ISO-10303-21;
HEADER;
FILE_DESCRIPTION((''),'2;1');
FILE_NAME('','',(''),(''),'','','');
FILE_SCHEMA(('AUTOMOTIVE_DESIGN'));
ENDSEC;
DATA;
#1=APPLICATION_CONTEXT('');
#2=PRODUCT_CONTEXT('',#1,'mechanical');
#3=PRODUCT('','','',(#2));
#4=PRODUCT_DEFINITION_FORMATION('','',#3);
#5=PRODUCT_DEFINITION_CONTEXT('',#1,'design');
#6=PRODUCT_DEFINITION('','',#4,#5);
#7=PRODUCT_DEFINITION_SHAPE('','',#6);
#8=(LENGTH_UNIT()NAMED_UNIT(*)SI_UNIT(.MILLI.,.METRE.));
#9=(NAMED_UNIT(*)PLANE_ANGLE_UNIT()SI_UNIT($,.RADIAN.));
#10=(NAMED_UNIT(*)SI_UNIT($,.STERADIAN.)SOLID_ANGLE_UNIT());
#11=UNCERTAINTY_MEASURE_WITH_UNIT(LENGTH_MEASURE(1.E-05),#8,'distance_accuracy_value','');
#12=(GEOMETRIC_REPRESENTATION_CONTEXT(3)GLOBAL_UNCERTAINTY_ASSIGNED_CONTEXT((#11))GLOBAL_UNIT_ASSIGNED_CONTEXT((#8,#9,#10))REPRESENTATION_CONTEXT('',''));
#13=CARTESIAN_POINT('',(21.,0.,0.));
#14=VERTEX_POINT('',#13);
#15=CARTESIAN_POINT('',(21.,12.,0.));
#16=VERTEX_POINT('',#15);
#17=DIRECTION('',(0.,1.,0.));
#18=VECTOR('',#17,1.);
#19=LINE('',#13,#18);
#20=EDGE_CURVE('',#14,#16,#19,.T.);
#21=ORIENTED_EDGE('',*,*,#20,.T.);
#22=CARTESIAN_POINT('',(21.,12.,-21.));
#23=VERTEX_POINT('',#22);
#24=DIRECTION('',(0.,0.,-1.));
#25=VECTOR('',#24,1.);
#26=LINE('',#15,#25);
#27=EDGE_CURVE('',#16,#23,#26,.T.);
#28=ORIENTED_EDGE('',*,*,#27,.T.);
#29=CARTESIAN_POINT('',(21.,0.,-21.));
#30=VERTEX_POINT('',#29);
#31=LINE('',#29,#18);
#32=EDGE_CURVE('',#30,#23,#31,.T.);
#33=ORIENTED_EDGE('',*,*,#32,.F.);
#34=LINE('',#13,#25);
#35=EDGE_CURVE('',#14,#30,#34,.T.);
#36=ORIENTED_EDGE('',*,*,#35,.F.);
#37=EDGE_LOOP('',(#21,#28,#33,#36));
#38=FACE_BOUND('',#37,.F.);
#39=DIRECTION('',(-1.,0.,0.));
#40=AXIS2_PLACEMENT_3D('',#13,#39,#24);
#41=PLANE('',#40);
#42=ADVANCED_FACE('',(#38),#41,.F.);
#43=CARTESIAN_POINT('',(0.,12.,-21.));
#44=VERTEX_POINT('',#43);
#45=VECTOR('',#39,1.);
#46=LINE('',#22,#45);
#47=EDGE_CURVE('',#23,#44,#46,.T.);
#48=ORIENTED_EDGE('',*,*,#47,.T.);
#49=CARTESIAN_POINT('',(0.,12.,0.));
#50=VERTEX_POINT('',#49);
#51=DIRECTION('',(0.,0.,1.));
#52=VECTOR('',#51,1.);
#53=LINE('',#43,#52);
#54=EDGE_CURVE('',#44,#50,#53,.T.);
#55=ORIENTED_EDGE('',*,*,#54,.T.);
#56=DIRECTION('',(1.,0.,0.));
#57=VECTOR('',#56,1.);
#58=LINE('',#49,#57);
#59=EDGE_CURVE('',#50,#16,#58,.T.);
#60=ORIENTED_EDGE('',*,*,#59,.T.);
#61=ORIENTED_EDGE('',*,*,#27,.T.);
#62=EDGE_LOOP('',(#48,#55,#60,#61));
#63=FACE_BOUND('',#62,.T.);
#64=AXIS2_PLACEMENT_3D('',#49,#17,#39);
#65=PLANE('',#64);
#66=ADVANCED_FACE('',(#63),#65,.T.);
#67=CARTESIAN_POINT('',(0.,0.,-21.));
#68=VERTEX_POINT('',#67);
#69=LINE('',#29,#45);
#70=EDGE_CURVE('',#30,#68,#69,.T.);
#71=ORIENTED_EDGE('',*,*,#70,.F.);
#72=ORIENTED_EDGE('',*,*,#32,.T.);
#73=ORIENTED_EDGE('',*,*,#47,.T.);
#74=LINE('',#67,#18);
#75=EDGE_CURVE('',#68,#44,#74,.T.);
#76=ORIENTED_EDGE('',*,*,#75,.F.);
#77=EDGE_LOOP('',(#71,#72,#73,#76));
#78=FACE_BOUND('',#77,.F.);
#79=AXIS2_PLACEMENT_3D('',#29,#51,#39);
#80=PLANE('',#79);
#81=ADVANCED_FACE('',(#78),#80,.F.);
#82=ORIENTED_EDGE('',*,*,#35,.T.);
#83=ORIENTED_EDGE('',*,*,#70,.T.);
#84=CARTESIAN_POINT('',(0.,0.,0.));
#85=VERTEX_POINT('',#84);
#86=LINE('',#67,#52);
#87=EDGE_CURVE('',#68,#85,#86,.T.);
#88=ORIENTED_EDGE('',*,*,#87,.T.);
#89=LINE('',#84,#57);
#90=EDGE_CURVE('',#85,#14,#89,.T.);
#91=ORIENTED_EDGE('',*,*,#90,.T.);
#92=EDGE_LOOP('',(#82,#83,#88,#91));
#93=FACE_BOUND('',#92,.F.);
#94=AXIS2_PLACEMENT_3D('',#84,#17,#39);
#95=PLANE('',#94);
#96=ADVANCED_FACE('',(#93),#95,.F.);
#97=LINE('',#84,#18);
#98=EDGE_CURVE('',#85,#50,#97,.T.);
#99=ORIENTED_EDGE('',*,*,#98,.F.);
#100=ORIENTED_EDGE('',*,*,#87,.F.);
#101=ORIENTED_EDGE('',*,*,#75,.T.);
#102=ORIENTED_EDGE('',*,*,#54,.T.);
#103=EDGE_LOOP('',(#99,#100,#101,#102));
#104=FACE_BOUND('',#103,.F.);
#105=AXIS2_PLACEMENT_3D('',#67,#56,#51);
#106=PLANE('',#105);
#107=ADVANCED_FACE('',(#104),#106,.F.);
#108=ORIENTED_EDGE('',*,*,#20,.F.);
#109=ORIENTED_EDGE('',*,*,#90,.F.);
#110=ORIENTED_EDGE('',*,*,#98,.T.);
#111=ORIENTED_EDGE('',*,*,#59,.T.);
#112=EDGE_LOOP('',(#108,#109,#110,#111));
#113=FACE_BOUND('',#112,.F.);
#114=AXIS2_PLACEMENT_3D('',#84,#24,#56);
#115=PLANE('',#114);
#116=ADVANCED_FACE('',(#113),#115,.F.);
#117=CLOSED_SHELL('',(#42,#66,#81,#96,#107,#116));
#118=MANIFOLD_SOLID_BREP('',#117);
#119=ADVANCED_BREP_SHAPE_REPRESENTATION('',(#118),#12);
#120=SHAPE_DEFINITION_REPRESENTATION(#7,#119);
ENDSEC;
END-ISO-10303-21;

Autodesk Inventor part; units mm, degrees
ref_plane "YZ Plane" through (0, 0, 0) normal (1, 0, 0) x (0, 1, 0)
ref_plane "XZ Plane" through (0, 0, 0) normal (0, 1, 0) x (-1, 0, 0)
ref_plane "XY Plane" through (0, 0, 0) normal (0, 0, 1) x (1, 0, 0)
sketch "Sketch1" plane through (0, 0, 0) normal (0, 1, 0) x (-1, 0, 0)
  line L0 (0, 0) -> (-21, 0)
  line L1 (-21, 0) -> (-21, -21)
  line L2 (-21, -21) -> (0, -21)
  line L3 (0, -21) -> (0, 0)
  dimension "d0" = 21
  dimension "d1" = 21
extrude "Extrusion1" add sketch "Sketch1" along normal blind 12
properties part number "SD Card Spacer"
